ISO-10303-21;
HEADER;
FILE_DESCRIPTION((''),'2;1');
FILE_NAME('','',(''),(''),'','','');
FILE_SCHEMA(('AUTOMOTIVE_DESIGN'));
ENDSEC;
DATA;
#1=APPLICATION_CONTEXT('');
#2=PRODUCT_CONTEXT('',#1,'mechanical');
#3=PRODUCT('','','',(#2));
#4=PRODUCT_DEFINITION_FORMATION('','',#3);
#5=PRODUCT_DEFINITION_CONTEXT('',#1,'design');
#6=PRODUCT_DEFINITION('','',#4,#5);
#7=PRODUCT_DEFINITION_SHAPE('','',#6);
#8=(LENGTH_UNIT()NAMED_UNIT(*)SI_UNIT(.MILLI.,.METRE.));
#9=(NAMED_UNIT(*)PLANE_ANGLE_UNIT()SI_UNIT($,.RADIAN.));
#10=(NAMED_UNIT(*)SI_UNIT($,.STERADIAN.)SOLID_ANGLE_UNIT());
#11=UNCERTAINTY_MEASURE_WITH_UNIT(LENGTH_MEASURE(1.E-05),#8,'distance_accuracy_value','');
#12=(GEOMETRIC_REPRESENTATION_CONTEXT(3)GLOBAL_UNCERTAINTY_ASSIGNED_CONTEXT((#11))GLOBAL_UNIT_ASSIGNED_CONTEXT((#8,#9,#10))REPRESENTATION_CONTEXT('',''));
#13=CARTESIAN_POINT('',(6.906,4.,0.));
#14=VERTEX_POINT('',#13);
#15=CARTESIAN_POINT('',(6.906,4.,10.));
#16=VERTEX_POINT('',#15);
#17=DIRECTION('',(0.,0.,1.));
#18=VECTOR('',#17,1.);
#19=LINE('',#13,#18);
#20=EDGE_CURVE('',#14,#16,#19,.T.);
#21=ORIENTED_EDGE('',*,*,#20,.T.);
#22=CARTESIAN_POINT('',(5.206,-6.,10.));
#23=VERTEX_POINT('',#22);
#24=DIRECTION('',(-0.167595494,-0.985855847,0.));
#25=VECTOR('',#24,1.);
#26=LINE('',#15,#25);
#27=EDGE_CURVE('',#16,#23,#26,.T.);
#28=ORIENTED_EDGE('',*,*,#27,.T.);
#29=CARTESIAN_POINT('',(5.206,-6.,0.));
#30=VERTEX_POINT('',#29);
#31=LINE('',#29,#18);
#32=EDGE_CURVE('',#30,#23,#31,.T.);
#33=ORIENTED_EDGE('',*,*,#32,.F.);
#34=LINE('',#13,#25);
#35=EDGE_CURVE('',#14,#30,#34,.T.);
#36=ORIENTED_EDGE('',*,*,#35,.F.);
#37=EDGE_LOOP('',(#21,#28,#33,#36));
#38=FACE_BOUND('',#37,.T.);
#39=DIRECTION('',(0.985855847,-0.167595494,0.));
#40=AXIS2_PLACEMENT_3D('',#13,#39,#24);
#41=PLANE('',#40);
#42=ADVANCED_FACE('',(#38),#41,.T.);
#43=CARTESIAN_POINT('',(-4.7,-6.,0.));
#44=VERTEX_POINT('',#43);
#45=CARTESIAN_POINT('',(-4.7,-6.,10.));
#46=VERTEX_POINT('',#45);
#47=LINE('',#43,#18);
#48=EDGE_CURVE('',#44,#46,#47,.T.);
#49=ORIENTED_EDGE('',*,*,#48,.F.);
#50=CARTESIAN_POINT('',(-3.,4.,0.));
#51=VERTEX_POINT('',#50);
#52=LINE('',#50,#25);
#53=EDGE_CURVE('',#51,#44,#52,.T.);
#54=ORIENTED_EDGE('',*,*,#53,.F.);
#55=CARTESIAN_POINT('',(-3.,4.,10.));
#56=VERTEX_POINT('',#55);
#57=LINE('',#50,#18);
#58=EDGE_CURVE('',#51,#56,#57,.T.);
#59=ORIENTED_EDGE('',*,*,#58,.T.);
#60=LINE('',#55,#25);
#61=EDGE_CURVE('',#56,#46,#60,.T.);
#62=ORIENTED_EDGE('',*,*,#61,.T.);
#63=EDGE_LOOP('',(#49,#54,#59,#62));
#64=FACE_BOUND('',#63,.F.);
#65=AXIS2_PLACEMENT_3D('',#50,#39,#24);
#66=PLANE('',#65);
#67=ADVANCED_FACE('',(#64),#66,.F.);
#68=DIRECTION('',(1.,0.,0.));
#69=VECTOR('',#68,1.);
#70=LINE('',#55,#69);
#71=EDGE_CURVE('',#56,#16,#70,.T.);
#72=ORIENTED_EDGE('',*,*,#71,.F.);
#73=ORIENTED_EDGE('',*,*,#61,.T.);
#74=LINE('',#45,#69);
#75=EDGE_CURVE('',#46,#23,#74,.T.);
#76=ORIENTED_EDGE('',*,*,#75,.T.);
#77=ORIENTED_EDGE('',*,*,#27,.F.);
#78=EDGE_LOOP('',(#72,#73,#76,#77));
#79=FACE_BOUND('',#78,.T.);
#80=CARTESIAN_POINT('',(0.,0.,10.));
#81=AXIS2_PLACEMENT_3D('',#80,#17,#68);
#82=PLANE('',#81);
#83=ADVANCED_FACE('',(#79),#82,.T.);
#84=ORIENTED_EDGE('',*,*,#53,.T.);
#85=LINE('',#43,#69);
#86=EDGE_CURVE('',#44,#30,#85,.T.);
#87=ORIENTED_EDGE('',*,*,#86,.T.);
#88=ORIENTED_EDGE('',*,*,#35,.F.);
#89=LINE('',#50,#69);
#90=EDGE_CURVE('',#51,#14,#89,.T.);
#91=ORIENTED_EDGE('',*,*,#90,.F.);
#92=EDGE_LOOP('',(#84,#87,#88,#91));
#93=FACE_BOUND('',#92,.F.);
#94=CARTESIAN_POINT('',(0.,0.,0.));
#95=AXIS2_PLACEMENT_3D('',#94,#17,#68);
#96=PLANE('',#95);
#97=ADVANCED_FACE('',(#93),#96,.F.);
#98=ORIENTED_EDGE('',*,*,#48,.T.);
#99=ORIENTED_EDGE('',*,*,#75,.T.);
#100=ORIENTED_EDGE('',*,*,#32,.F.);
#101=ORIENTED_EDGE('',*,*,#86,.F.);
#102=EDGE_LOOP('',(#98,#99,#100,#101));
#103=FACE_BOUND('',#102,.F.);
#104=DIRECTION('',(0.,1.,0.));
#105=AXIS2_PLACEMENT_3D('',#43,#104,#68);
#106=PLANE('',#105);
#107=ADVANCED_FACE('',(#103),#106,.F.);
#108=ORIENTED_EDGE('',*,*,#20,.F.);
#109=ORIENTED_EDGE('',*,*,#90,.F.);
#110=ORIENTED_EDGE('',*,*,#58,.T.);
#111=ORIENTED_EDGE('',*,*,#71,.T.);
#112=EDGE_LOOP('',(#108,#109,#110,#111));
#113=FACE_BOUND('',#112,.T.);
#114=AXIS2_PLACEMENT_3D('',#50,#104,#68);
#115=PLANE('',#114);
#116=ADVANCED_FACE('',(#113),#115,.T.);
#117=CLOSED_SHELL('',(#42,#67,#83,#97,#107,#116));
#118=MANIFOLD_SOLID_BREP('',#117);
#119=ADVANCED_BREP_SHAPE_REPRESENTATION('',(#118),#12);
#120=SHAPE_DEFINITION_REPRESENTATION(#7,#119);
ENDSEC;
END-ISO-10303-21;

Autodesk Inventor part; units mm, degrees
ref_plane "YZ Plane" through (0, 0, 0) normal (1, 0, 0) x (0, 1, 0)
ref_plane "XZ Plane" through (0, 0, 0) normal (0, 1, 0) x (-1, 0, 0)
ref_plane "XY Plane" through (0, 0, 0) normal (0, 0, 1) x (1, 0, 0)
sketch "Sketch2" plane through (0, 0, 0) normal (0, 0, 1) x (1, 0, 0)
  line L0 (-4.7, -6) -> (5.206, -6)
  line L1 (-3, 4) -> (6.906, 4)
  line L2 (-3, 4) -> (-4.7, -6)
  line L3 (6.906, 4) -> (5.206, -6)
  point P0 (0, 0)
  dimension "d4" = 9.906
  dimension "d5" = 9.906
  dimension "d6" = 1.7
  dimension "d7" = 10
extrude "Extrusion2" add sketch "Sketch2" along normal blind 10
properties part number "rod_v2.6"
